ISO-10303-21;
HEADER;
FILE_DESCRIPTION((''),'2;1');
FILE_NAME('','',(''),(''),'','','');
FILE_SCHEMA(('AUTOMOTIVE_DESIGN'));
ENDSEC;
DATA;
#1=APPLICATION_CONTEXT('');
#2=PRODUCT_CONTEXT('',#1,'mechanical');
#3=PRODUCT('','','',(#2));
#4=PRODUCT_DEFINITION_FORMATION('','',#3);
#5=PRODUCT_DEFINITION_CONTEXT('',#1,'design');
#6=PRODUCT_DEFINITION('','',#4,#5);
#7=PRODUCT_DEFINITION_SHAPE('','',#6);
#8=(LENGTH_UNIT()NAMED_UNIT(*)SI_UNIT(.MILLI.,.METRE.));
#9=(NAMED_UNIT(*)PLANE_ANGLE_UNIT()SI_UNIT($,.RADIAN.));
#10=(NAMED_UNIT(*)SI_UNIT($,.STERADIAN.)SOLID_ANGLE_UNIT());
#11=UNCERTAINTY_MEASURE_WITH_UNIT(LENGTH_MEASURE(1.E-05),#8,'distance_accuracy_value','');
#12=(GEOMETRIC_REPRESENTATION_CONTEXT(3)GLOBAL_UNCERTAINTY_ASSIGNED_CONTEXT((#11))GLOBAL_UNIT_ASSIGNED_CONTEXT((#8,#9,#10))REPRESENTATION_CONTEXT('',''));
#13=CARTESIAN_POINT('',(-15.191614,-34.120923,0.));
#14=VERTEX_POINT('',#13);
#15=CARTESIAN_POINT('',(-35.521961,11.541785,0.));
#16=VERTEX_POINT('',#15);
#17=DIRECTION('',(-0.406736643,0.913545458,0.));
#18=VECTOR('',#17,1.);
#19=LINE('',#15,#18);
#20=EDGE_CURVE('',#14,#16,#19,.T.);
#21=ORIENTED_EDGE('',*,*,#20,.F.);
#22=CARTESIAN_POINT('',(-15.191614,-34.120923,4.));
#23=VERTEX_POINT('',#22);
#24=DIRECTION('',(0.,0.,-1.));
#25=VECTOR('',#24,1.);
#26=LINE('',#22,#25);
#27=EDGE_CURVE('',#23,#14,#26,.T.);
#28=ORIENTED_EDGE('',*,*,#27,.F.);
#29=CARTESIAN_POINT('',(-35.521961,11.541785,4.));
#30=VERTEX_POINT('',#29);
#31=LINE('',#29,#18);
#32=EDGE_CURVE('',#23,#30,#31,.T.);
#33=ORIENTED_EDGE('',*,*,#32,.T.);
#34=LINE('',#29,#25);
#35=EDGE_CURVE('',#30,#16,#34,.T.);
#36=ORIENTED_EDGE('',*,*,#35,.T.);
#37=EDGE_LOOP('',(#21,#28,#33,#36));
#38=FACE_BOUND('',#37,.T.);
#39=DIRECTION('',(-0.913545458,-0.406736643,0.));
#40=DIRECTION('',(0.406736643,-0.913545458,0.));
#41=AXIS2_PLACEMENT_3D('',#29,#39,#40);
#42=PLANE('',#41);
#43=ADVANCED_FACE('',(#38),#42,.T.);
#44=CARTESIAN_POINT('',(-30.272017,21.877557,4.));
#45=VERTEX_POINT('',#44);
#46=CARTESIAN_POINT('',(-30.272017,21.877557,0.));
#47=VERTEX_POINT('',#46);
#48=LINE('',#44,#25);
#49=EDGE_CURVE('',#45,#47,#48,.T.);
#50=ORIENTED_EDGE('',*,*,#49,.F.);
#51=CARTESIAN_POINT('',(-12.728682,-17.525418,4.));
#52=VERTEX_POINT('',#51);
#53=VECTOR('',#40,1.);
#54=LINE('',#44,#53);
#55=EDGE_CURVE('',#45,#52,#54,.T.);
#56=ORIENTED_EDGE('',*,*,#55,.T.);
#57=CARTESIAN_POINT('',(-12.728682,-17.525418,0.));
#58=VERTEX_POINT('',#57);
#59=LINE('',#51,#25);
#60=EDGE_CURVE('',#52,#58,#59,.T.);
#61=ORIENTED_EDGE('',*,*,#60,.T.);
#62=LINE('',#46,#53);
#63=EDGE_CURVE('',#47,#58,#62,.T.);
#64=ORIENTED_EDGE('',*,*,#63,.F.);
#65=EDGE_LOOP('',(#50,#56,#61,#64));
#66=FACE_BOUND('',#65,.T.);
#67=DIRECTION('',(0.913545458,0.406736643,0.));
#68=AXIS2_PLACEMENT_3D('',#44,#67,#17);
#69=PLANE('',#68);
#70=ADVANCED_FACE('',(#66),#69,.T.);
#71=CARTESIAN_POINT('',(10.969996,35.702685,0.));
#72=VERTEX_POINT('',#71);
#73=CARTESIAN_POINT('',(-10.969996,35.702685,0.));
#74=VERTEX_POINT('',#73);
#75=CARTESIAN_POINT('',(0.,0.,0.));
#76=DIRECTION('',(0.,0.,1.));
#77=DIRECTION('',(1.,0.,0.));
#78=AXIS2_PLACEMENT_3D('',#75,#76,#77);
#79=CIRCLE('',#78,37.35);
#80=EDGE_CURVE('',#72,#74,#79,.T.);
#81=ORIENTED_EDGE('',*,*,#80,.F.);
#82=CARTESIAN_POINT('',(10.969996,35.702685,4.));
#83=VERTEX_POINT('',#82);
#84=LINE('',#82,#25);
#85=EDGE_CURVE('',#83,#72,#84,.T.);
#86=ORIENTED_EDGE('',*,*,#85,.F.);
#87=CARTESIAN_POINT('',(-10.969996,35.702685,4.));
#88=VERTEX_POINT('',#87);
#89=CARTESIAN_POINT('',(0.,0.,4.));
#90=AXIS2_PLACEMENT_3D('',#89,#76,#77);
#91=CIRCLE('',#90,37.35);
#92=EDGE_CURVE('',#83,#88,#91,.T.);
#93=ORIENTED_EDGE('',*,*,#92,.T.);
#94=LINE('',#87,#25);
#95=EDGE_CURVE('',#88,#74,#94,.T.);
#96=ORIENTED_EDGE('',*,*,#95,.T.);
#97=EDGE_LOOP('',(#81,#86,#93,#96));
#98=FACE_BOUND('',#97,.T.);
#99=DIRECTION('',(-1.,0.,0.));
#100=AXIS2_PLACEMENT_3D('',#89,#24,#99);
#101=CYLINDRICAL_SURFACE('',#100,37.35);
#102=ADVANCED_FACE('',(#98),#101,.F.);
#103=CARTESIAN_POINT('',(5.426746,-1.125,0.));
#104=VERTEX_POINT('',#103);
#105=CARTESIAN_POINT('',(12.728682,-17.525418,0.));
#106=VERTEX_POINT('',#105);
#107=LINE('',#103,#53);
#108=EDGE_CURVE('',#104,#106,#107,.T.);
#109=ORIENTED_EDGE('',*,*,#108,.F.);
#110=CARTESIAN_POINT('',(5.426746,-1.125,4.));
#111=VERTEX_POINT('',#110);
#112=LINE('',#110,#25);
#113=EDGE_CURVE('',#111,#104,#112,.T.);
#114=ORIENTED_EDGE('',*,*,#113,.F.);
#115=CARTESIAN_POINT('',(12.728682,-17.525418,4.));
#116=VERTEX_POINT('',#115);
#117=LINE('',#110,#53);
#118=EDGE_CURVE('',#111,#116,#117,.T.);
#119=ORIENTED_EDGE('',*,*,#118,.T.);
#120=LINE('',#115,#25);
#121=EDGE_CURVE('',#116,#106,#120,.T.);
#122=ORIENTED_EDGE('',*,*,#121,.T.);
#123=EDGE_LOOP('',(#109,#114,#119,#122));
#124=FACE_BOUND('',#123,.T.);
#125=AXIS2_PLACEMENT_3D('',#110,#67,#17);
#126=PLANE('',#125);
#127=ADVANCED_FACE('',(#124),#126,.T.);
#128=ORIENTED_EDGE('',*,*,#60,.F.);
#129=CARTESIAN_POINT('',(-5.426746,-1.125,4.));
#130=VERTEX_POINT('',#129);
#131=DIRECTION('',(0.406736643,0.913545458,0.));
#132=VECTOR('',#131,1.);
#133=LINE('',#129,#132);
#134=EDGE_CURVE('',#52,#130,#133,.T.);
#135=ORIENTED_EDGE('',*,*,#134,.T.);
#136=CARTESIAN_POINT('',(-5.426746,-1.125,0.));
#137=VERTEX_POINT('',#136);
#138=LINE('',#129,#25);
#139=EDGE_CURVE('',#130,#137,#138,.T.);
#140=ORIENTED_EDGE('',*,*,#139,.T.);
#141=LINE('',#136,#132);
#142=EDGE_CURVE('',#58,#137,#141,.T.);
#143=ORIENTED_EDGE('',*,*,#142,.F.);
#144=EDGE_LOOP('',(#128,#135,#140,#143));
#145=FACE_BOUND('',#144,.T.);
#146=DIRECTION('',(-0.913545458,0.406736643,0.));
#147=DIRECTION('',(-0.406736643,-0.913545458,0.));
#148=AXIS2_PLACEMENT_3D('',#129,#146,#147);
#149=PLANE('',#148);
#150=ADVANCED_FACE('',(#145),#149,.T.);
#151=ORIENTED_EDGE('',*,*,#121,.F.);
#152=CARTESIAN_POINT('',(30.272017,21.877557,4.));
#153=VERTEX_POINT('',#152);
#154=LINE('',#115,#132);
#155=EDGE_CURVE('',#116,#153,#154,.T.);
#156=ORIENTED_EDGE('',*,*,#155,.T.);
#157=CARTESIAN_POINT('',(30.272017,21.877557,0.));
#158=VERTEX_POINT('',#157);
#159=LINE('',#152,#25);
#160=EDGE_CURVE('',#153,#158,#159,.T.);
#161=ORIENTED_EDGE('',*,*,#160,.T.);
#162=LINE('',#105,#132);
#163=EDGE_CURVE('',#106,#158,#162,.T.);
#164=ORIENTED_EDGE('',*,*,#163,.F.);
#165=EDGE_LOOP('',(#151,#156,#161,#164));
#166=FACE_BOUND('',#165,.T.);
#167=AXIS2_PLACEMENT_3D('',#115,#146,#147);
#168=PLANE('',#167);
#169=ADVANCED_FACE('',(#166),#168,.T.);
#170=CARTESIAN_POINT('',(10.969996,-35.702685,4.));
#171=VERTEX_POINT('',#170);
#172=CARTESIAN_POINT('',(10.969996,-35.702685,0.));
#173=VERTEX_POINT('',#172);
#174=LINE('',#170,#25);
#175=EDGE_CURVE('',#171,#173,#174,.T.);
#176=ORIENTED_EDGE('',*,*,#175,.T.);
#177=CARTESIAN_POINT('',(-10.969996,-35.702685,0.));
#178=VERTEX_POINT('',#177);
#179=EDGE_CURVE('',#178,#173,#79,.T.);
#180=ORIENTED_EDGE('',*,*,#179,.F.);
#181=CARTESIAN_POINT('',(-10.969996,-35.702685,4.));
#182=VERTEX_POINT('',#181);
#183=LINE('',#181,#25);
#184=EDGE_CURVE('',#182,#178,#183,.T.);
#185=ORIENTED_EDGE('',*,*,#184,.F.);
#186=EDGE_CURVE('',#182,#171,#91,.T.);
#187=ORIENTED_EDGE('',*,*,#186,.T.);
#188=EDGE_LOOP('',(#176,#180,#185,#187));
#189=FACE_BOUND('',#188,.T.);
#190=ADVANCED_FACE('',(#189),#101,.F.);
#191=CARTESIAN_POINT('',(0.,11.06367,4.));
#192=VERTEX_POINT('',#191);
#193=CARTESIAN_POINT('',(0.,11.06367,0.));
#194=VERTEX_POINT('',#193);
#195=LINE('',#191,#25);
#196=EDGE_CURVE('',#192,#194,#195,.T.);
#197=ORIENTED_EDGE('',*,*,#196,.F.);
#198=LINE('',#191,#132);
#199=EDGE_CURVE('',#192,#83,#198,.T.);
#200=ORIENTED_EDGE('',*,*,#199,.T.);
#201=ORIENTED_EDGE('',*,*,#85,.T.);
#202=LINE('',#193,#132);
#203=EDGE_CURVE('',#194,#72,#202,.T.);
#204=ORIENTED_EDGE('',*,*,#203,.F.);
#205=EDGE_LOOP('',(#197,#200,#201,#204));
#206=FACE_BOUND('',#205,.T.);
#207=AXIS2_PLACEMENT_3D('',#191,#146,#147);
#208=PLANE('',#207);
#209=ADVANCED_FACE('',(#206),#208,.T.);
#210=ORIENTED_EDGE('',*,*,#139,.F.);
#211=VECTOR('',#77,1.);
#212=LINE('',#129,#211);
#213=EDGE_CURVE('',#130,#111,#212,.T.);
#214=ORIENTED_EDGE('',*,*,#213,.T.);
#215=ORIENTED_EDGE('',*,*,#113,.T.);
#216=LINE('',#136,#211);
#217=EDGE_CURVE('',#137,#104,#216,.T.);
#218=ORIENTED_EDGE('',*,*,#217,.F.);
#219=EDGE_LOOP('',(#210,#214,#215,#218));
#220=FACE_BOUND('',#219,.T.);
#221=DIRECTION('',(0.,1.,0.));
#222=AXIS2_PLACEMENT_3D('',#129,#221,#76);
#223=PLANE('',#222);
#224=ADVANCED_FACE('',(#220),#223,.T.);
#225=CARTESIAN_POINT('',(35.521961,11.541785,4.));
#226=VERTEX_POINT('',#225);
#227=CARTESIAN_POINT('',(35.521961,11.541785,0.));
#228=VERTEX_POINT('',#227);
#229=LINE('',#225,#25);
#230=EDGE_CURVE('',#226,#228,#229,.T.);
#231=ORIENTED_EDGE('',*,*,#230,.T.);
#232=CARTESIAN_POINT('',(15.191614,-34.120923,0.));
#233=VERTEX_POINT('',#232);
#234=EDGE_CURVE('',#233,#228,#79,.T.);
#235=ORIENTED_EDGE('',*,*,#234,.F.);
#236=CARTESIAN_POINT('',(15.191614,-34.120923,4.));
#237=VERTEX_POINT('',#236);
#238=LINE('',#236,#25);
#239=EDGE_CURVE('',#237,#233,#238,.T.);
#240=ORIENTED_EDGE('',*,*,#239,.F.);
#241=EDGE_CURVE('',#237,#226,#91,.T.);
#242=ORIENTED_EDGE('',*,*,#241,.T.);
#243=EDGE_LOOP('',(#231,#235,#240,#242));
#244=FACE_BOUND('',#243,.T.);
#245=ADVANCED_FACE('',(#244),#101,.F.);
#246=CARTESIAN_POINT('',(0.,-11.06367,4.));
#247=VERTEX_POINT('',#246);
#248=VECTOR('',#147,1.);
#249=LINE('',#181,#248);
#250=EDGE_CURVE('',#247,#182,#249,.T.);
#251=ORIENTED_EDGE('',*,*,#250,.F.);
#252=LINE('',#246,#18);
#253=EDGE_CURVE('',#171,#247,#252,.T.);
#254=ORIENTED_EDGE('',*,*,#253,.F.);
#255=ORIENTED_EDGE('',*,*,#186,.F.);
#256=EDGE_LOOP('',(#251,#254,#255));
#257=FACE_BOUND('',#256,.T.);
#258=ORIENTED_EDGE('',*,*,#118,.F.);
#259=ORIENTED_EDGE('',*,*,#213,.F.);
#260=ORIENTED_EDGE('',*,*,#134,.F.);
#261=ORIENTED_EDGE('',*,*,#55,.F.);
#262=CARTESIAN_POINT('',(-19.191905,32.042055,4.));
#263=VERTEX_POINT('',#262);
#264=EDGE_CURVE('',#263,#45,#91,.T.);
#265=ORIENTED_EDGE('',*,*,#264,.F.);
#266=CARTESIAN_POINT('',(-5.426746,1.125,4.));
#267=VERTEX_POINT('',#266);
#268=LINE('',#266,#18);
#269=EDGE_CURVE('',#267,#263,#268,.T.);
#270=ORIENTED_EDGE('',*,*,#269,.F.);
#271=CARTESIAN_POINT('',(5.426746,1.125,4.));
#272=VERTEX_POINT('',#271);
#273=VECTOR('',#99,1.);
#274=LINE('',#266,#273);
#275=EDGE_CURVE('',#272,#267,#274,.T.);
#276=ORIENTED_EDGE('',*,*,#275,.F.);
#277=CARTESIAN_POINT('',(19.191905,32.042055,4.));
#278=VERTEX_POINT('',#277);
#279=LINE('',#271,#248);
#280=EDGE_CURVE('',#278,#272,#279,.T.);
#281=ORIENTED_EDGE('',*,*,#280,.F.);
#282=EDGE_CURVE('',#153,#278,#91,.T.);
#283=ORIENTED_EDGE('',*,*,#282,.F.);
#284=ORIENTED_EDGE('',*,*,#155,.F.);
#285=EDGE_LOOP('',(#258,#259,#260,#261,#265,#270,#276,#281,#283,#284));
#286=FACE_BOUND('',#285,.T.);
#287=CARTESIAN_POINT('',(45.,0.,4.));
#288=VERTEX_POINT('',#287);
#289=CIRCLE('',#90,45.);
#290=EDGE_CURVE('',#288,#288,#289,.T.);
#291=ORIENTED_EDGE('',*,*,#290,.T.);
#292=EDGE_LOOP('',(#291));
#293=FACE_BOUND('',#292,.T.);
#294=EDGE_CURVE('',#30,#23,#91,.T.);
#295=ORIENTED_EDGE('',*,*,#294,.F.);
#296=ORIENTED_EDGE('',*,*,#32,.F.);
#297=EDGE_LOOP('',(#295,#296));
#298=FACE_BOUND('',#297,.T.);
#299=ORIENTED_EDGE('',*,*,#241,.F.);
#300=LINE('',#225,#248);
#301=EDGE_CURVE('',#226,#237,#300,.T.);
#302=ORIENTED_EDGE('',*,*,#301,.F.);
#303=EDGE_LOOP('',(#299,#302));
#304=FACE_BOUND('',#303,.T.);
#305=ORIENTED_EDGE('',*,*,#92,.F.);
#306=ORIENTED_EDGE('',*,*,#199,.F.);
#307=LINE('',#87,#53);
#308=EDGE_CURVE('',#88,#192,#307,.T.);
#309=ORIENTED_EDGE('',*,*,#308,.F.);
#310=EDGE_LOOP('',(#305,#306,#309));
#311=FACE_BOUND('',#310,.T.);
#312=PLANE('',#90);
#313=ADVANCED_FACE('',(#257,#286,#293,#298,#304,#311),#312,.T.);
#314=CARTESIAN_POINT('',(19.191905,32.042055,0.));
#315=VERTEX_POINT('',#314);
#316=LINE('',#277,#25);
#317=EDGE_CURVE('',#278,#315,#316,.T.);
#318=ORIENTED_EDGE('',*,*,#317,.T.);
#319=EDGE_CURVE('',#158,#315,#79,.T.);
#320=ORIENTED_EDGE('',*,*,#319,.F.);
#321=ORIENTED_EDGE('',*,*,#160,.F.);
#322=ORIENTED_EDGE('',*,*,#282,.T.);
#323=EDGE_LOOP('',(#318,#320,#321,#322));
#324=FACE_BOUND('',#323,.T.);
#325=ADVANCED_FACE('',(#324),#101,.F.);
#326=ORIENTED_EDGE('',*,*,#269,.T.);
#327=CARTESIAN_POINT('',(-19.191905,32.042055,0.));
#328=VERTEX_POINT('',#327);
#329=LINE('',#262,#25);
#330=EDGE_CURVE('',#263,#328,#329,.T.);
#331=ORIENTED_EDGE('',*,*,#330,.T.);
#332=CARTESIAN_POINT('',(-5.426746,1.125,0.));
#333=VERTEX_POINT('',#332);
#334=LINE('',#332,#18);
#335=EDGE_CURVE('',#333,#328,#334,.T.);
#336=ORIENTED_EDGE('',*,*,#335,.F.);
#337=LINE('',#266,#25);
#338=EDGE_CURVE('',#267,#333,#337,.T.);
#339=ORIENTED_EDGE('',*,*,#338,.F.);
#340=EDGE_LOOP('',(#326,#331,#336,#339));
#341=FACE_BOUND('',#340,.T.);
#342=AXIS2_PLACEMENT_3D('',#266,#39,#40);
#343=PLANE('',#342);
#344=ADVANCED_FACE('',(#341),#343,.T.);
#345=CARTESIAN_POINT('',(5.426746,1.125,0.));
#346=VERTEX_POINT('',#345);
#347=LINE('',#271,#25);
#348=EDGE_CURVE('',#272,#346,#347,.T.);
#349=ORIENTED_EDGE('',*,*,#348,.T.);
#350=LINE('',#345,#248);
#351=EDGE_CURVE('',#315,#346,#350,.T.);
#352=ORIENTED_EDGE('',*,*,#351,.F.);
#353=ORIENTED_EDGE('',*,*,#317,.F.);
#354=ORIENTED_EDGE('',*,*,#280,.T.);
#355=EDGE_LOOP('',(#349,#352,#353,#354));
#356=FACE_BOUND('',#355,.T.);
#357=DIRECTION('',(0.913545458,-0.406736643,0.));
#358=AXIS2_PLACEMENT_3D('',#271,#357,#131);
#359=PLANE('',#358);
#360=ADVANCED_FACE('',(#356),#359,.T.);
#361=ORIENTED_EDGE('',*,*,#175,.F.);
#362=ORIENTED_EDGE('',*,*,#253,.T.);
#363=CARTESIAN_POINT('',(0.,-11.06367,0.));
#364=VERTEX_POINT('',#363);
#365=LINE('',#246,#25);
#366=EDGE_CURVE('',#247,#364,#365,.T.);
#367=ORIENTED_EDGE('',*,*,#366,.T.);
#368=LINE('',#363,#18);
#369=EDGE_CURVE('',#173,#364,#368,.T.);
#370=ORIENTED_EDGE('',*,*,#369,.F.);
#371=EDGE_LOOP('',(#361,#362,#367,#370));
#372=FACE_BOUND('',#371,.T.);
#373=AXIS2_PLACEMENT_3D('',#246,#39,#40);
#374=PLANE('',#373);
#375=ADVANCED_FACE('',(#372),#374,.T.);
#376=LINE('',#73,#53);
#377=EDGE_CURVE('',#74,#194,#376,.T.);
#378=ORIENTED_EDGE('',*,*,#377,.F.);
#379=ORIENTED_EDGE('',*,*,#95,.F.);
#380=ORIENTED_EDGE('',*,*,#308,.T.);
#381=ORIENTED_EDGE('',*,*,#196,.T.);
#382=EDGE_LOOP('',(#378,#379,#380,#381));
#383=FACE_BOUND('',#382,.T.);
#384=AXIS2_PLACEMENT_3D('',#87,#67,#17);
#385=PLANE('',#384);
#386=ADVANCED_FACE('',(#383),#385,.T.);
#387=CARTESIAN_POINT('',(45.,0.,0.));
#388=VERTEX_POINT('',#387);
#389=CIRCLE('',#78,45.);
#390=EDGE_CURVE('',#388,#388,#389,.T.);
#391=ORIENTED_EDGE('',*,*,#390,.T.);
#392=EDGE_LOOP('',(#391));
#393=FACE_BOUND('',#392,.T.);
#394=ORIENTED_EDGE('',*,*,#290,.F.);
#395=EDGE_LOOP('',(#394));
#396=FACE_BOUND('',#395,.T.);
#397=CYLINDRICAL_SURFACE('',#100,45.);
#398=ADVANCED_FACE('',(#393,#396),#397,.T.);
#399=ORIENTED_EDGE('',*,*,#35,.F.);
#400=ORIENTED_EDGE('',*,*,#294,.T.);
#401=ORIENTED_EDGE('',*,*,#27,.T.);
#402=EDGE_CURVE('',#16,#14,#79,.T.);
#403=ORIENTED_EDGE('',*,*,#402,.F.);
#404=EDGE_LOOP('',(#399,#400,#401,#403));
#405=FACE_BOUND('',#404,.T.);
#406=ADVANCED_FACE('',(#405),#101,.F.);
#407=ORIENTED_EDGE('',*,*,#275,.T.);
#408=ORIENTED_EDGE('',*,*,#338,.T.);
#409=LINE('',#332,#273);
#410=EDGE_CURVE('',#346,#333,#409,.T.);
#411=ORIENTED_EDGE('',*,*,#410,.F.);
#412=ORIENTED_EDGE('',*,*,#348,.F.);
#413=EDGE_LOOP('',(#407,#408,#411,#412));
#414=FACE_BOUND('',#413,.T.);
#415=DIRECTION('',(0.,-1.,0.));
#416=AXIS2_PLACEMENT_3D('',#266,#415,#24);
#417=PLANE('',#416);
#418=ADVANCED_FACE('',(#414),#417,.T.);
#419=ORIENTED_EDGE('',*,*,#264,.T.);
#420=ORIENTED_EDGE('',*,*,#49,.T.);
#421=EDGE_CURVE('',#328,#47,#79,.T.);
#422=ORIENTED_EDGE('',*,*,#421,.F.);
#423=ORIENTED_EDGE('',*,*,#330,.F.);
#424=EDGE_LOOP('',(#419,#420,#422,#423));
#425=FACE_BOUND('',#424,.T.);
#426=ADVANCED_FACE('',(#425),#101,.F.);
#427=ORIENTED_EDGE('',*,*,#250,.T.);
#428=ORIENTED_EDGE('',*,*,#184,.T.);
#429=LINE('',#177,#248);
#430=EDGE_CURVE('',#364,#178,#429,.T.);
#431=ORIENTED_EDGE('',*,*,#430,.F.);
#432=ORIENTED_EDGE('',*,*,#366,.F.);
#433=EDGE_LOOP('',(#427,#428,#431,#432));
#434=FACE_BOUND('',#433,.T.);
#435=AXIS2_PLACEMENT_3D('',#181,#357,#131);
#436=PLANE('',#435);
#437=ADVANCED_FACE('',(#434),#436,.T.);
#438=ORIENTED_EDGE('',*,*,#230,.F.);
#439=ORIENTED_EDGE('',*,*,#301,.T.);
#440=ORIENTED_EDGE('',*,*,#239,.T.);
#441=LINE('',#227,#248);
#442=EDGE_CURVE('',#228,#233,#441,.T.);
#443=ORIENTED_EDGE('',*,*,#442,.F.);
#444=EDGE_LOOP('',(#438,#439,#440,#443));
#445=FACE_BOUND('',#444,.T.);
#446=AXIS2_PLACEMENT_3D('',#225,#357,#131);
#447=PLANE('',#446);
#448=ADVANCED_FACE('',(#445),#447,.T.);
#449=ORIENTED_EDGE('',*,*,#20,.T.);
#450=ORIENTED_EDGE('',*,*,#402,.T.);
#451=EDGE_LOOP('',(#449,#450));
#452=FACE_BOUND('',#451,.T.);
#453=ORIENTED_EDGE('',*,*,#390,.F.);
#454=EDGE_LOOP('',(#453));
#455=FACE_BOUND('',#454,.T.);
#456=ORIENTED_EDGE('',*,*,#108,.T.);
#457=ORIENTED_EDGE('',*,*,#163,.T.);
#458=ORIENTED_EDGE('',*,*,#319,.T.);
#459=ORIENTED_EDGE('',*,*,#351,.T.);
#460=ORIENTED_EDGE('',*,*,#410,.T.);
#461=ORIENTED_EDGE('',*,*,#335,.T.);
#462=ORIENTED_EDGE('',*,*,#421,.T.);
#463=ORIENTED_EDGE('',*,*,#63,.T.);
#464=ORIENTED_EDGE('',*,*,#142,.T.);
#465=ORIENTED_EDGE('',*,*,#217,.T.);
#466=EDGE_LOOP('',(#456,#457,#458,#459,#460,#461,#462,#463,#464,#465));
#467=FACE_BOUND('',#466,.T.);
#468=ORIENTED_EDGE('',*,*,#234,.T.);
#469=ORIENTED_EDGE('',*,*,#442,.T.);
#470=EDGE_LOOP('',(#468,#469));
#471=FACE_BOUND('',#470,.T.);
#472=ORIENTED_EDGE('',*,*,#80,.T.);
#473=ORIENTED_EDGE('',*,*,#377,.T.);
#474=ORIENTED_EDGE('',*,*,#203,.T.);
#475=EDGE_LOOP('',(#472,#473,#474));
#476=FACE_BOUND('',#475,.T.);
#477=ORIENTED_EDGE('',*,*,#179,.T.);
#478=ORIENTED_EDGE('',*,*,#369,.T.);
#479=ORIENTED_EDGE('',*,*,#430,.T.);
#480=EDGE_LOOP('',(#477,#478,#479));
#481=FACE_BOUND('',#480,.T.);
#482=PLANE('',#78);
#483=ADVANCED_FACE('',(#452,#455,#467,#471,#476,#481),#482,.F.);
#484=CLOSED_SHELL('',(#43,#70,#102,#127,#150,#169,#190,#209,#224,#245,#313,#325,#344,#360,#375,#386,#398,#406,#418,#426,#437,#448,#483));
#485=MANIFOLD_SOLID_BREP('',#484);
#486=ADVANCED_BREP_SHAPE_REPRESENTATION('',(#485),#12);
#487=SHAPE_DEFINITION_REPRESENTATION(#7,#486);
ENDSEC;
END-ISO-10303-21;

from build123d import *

# Parameters (mm, degrees)
SKETCH1_R           = 45
BOSS_EXTRUDE1_DEPTH = 4


with BuildPart() as part:
    # Sketch1 → Boss-Extrude1 (new body)
    with BuildSketch(Plane.XY):
        Circle(SKETCH1_R)
        with BuildLine():
            Line((-10.969996065, 35.702684582), (0, 11.06367001))
            Line((0, 11.06367001), (10.969996065, 35.702684582))
            ThreePointArc((10.969996065, 35.702684582), (0, 37.35), (-10.969996065, 35.702684582))
        make_face(mode=Mode.SUBTRACT)
        with BuildLine():
            Line((-10.969996065, -35.702684582), (0, -11.06367001))
            Line((0, -11.06367001), (10.969996065, -35.702684582))
            ThreePointArc((10.969996065, -35.702684582), (0, -37.35), (-10.969996065, -35.702684582))
        make_face(mode=Mode.SUBTRACT)
        with BuildLine():
            Line((-35.521960884, 11.54178474), (-15.191613619, -34.120922843))
            ThreePointArc((-15.191613619, -34.120922843), (-34.120922843, -15.191613619), (-35.521960884, 11.54178474))
        make_face(mode=Mode.SUBTRACT)
        with BuildLine():
            Line((-30.272016712, 21.877557089), (-12.728681992, -17.525417828))
            Line((-12.728681992, -17.525417828), (-5.426745524, -1.125))
            Line((-5.426745524, -1.125), (5.426745524, -1.125))
            Line((5.426745524, -1.125), (12.728681992, -17.525417828))
            Line((12.728681992, -17.525417828), (30.272016712, 21.877557089))
            ThreePointArc((30.272016712, 21.877557089), (25.248745429, 27.523142159), (19.191905184, 32.042054794))
            Line((19.191905184, 32.042054794), (5.426745524, 1.125))
            Line((5.426745524, 1.125), (-5.426745524, 1.125))
            Line((-5.426745524, 1.125), (-19.191905184, 32.042054794))
            ThreePointArc((-19.191905184, 32.042054794), (-25.248745429, 27.523142159), (-30.272016712, 21.877557089))
        make_face(mode=Mode.SUBTRACT)
        with BuildLine():
            Line((35.521960884, 11.54178474), (15.191613619, -34.120922843))
            ThreePointArc((15.191613619, -34.120922843), (34.120922843, -15.191613619), (35.521960884, 11.54178474))
        make_face(mode=Mode.SUBTRACT)
    extrude(amount=BOSS_EXTRUDE1_DEPTH)


solid = part.part
